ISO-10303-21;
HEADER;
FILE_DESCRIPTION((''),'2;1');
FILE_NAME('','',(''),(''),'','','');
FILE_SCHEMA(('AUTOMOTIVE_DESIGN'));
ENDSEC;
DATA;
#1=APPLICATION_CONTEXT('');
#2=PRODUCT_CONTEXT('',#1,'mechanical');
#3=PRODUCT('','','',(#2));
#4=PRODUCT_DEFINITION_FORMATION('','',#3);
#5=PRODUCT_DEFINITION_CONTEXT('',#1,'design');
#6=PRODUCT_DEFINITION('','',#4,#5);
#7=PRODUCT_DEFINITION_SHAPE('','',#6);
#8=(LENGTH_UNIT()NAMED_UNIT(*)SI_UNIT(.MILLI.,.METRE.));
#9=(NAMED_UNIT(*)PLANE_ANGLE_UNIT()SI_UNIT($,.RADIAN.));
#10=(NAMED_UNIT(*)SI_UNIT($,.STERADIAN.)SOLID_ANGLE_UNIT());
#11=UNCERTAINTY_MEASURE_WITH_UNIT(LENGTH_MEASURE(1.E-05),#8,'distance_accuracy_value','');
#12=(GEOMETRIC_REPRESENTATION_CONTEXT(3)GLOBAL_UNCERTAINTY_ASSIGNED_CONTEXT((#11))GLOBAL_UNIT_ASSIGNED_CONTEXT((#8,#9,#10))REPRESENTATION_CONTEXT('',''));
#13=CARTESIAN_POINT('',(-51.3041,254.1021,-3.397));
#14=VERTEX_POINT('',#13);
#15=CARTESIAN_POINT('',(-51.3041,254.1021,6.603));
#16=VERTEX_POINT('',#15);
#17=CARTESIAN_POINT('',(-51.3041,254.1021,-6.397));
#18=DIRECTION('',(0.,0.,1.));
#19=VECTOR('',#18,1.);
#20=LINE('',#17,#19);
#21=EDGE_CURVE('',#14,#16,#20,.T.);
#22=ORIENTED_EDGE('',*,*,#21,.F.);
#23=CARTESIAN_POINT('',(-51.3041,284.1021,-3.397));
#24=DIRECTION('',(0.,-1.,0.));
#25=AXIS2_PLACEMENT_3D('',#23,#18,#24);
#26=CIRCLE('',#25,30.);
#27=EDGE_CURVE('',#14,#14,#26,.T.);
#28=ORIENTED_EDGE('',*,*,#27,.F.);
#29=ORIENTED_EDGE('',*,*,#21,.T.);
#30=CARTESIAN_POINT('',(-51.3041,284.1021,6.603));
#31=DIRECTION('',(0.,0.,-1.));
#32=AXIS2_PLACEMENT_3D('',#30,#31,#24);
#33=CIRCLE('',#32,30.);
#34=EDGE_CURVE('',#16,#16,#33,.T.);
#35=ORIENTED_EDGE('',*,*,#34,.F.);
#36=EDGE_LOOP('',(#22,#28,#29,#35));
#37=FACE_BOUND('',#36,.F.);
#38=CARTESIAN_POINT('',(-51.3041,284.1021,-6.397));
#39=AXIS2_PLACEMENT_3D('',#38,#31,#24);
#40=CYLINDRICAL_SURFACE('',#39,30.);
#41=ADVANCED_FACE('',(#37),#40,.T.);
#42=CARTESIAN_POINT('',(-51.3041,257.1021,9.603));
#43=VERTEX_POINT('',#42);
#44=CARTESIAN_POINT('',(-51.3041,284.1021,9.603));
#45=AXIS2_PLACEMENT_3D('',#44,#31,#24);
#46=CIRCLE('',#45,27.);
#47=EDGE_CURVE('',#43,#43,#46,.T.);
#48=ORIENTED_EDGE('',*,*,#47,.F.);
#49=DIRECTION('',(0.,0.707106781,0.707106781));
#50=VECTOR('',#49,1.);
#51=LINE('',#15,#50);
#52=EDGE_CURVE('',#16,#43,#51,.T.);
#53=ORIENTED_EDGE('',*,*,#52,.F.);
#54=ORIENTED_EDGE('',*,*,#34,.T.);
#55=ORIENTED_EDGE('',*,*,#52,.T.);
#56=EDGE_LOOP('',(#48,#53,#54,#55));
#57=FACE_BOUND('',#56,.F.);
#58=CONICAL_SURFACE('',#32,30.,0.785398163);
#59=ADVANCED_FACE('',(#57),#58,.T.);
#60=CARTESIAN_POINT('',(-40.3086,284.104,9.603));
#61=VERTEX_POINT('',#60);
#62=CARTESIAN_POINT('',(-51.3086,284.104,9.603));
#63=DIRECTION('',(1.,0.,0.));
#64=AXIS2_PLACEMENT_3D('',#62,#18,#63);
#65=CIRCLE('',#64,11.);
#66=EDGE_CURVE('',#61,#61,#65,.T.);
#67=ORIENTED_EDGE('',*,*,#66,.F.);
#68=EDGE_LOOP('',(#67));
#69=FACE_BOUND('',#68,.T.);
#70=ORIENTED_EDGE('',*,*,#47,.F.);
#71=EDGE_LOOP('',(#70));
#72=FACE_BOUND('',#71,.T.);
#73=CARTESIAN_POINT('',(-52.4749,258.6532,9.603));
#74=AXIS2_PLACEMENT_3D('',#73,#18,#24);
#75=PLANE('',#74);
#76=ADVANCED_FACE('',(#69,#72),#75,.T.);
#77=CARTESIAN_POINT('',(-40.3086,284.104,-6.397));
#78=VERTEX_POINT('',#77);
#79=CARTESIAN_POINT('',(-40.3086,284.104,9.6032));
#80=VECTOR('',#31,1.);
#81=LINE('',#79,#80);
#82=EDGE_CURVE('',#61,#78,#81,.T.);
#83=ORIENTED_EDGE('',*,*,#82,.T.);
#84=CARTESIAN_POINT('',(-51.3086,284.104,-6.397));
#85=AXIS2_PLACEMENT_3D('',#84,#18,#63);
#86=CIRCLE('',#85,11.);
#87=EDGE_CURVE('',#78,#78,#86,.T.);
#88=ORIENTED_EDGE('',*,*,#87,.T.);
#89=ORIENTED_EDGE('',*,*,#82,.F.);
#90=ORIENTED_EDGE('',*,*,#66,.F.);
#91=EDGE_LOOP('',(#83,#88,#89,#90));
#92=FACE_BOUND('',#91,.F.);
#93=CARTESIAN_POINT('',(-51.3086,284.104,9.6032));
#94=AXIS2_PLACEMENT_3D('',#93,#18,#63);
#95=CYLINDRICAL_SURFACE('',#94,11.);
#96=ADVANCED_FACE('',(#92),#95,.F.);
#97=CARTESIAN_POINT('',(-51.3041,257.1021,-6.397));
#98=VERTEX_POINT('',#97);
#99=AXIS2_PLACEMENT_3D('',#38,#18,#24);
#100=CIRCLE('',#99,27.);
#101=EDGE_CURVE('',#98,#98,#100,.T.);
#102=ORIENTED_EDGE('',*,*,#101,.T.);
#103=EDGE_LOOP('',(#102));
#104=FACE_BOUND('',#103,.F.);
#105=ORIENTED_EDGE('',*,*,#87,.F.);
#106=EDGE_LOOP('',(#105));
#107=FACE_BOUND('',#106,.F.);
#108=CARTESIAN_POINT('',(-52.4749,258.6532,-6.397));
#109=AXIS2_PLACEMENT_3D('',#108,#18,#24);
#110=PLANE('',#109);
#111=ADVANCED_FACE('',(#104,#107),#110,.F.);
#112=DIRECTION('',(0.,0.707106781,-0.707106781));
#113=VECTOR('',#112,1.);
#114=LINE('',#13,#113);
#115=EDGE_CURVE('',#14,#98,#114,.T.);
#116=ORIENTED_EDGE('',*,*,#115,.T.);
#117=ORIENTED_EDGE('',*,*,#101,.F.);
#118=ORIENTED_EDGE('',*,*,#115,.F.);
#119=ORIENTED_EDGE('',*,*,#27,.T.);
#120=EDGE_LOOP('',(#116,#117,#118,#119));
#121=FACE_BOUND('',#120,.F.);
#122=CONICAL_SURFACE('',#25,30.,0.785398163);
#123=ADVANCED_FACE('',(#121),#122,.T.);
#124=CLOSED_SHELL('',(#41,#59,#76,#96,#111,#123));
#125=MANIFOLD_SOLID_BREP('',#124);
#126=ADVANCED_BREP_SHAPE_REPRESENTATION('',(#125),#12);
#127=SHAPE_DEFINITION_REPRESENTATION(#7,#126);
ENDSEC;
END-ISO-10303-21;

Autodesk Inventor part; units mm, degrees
ref_plane "YZ Plane" through (0, 0, 0) normal (1, 0, 0) x (0, 1, 0)
ref_plane "XZ Plane" through (0, 0, 0) normal (0, 1, 0) x (-1, 0, 0)
ref_plane "XY Plane" through (0, 0, 0) normal (0, 0, 1) x (1, 0, 0)
ref_plane "Work Plane1" through (-52.4749, 258.6532, -6.397) normal (0, 0, 1) x (0, -1, 0)
sketch "Sketch1" plane through (-52.4749, 258.6532, -6.397) normal (0, 0, 1) x (0, -1, 0)
  line L0 (0.0003, 0.0039) -> (-20.2411, 10.8651) projected
  arc A0 (-20.2411, 10.8651) -> (-35.6461, -2.9695) centre (-25.4455, 1.1661) ccw projected
  line L1 (-35.6461, -2.9695) -> (42.4229, -195.5278) projected
  line L2 (42.4229, -195.5278) -> (42.4229, -219.8278) projected
  line L3 (42.4229, -219.8278) -> (81.4481, -219.8278) projected
  line L4 (81.4481, -219.8278) -> (168.2058, -219.8263) projected
  line L5 (168.2058, -219.8263) -> (207.231, -219.8261) projected
  line L6 (207.231, -219.8261) -> (207.2309, -195.5273) projected
  ellipse E0 centre (186.2274, -195.5271) end of major axis (212.7883, -195.527) minor radius 0.0003 (207.231, -195.5268) -> (207.2309, -195.5273) ccw projected
  line L7 (207.231, -195.5268) -> (285.3, -2.9593) projected
  arc A1 (285.3, -2.9593) -> (269.9065, 10.8669) centre (275.106, 1.1734) ccw projected
  line L8 (269.9065, 10.8669) -> (249.6555, 0.0046) projected
  arc A2 (246.3474, -0.8266) -> (249.6555, 0.0046) centre (246.3474, 6.172) ccw projected
  line L9 (246.3474, -0.8266) -> (234.7987, -0.8277) projected
  arc A3 (234.7987, -0.8277) -> (224.1037, -11.8268) centre (235.1053, -11.8251) ccw projected
  line L10 (224.1037, -11.8268) -> (224.1037, -23.8268) projected
  line L11 (224.1037, -23.8268) -> (25.5516, -23.8268) projected
  line L12 (25.5516, -23.8268) -> (25.5516, -11.8268) projected
  arc A4 (25.5516, -11.8268) -> (14.3466, -0.8277) centre (14.5506, -11.8268) ccw projected
  line L13 (14.3466, -0.8277) -> (3.3091, -0.8277) projected
  arc A5 (0.0003, 0.0039) -> (3.3091, -0.8277) centre (3.3091, 6.1703) ccw projected
  circle A6 centre (275.1036, 1.1723) radius 4.5971 projected
  circle A7 centre (235.1053, -11.8251) radius 4.1019 projected
  circle A8 centre (14.5506, -11.8268) radius 4.101 projected
  circle A9 centre (61.9506, -207.5286) radius 4.1026 projected
  circle A10 centre (187.7028, -207.5216) radius 4.1055 projected
  circle A11 centre (-25.4489, 1.1708) radius 4.0986 projected
  circle A12 centre (-25.4489, 1.1708) radius 30
  point P0 (258.6534, 52.4739)
  dimension "d0" = 60
extrude "Extrusion1" add sketch "Sketch1" along normal blind 16 contours A5 L13 A12 L1 A0 L0 | L0 A0 L1 A12 L13 A5 | A11
chamfer "Chamfer1" distance 3 angle 45 2 edges at (-51.3043, 314.1021, -6.3967) (-51.3043, 314.102, 9.6033)
sketch "Sketch2" plane through (-51.3042, 284.102, 9.6032) normal (0, 0, 1) x (1, 0, 0)
  circle A0 centre (0, 0) radius 27 projected
  circle A1 centre (-0.0044, 0.002) radius 4.0977 projected
  circle A2 centre (-0.0044, 0.002) radius 11
  point P0 (51.3042, -284.102)
  dimension "d8" = 22
extrude "Extrusion2" cut sketch "Sketch2" against normal through all contours A1 | A2
properties part number "Wheel"
